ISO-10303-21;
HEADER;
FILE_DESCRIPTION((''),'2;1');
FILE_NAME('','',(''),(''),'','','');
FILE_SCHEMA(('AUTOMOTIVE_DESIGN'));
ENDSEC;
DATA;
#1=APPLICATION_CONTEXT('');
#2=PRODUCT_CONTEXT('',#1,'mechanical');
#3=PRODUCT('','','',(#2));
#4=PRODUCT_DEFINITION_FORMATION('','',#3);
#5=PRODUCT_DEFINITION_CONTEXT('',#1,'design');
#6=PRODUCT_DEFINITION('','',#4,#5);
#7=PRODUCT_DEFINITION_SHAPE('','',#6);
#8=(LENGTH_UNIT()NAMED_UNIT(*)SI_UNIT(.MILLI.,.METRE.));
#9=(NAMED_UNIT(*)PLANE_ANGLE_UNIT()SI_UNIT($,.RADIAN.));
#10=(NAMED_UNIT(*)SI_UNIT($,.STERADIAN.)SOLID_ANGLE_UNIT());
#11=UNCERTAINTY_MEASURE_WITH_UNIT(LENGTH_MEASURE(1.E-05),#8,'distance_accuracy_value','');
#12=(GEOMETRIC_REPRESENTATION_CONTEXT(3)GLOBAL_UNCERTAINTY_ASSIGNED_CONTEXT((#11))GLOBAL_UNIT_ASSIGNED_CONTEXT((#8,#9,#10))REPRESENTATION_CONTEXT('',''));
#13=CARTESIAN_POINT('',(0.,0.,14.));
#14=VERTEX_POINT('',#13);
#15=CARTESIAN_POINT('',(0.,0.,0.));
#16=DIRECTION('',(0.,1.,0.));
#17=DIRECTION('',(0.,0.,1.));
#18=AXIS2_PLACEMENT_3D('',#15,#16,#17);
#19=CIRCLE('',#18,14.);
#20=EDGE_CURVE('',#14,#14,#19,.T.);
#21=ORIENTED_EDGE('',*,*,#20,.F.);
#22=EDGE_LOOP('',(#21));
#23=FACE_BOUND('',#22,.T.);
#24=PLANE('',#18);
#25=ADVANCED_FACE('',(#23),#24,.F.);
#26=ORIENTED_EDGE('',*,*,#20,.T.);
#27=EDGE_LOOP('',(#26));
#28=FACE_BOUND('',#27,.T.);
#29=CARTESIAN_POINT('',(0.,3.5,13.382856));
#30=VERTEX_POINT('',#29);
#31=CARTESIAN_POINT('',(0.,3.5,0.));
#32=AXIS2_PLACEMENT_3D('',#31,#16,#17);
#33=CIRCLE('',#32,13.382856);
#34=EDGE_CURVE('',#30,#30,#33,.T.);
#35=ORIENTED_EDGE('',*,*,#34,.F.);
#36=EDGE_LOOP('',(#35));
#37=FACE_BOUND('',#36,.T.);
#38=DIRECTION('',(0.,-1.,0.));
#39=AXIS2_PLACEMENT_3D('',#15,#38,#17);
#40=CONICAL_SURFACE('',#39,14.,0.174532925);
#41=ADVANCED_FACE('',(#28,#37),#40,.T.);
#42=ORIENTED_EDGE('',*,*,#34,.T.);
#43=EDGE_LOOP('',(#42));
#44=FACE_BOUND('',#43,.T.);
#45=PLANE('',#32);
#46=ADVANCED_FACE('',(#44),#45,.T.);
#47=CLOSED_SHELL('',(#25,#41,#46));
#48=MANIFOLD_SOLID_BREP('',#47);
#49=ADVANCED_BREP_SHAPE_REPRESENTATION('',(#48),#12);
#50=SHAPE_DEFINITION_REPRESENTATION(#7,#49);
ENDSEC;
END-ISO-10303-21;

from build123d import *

# Parameters (mm, degrees)
SKETCH_1_R      = 14
EXTRUDE_1_DEPTH = 3.5
EXTRUDE_1_TAPER = 10


with BuildPart() as part:
    # Эскиз1 → Бобышка-Вытянуть1 (new body)
    with BuildSketch(Plane(origin=(0, 0, 0), x_dir=(1, 0, 0), z_dir=(0, 1, 0))):
        Circle(SKETCH_1_R)
    extrude(amount=EXTRUDE_1_DEPTH, taper=EXTRUDE_1_TAPER)


solid = part.part
